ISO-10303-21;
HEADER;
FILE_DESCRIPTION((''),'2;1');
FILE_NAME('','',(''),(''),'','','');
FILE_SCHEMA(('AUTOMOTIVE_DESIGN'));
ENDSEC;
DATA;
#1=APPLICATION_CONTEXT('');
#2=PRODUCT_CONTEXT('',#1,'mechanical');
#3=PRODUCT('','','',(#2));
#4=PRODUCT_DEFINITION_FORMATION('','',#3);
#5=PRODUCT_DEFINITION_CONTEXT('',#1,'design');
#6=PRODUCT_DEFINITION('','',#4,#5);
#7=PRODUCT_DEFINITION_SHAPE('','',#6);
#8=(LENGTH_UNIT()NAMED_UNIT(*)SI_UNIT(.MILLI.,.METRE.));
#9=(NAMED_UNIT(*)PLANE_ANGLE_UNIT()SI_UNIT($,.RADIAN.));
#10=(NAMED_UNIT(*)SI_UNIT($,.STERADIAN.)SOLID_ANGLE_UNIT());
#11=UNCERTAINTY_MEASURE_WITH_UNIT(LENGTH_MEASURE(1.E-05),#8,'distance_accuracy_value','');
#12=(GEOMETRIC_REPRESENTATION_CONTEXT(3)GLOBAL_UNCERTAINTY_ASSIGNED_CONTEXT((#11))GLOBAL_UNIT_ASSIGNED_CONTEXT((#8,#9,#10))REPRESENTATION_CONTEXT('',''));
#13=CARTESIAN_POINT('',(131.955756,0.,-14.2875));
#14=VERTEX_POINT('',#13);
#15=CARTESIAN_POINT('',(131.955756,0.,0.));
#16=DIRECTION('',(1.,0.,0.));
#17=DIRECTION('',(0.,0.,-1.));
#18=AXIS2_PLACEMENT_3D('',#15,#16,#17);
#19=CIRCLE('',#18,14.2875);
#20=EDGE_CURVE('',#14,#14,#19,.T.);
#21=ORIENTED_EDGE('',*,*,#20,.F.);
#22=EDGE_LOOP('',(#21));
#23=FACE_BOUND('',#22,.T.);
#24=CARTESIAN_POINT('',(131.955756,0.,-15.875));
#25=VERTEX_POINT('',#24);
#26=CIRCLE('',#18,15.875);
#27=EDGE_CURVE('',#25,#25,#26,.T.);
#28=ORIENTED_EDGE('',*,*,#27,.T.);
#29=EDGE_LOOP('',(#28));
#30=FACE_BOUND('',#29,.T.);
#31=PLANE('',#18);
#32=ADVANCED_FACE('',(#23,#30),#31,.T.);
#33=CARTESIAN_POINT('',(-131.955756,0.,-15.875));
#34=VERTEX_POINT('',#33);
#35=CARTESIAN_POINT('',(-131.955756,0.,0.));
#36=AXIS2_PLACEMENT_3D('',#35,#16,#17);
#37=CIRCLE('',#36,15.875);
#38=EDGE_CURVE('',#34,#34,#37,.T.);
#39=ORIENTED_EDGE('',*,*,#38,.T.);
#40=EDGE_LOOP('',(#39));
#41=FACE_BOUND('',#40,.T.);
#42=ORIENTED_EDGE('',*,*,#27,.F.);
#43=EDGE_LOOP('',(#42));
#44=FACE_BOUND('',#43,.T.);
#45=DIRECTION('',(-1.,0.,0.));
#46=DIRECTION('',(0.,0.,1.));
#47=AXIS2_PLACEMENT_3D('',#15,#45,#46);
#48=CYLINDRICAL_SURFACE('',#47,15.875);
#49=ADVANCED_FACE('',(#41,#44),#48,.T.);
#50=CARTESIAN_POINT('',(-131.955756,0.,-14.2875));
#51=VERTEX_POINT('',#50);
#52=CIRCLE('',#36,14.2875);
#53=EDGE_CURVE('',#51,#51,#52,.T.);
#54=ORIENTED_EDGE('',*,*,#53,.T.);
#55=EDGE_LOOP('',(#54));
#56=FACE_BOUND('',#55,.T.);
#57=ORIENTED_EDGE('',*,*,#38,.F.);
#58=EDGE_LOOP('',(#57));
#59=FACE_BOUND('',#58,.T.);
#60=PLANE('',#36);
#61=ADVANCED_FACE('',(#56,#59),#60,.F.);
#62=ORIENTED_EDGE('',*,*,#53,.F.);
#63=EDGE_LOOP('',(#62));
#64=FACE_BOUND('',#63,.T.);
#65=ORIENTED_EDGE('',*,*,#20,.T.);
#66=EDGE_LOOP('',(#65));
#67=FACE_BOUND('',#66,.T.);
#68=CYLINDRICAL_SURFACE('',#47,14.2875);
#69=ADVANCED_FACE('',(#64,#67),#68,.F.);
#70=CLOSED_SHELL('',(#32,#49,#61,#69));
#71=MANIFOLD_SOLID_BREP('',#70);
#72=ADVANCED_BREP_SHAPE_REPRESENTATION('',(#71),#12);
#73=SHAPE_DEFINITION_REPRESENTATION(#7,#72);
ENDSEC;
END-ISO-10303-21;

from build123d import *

# Parameters (mm, degrees)
SKETCH1_R           = 15.875
SKETCH1_R_2         = 14.2875
EXTRUDE_THIN1_DEPTH = 131.9557559


with BuildPart() as part:
    # Sketch1 → Extrude-Thin1 (new, symmetric)
    with BuildSketch(Plane(origin=(0, 0, 0), x_dir=(0, 0, -1), z_dir=(1, 0, 0))):
        Circle(SKETCH1_R)
        Circle(SKETCH1_R_2, mode=Mode.SUBTRACT)
    extrude(amount=EXTRUDE_THIN1_DEPTH, both=True)


solid = part.part
